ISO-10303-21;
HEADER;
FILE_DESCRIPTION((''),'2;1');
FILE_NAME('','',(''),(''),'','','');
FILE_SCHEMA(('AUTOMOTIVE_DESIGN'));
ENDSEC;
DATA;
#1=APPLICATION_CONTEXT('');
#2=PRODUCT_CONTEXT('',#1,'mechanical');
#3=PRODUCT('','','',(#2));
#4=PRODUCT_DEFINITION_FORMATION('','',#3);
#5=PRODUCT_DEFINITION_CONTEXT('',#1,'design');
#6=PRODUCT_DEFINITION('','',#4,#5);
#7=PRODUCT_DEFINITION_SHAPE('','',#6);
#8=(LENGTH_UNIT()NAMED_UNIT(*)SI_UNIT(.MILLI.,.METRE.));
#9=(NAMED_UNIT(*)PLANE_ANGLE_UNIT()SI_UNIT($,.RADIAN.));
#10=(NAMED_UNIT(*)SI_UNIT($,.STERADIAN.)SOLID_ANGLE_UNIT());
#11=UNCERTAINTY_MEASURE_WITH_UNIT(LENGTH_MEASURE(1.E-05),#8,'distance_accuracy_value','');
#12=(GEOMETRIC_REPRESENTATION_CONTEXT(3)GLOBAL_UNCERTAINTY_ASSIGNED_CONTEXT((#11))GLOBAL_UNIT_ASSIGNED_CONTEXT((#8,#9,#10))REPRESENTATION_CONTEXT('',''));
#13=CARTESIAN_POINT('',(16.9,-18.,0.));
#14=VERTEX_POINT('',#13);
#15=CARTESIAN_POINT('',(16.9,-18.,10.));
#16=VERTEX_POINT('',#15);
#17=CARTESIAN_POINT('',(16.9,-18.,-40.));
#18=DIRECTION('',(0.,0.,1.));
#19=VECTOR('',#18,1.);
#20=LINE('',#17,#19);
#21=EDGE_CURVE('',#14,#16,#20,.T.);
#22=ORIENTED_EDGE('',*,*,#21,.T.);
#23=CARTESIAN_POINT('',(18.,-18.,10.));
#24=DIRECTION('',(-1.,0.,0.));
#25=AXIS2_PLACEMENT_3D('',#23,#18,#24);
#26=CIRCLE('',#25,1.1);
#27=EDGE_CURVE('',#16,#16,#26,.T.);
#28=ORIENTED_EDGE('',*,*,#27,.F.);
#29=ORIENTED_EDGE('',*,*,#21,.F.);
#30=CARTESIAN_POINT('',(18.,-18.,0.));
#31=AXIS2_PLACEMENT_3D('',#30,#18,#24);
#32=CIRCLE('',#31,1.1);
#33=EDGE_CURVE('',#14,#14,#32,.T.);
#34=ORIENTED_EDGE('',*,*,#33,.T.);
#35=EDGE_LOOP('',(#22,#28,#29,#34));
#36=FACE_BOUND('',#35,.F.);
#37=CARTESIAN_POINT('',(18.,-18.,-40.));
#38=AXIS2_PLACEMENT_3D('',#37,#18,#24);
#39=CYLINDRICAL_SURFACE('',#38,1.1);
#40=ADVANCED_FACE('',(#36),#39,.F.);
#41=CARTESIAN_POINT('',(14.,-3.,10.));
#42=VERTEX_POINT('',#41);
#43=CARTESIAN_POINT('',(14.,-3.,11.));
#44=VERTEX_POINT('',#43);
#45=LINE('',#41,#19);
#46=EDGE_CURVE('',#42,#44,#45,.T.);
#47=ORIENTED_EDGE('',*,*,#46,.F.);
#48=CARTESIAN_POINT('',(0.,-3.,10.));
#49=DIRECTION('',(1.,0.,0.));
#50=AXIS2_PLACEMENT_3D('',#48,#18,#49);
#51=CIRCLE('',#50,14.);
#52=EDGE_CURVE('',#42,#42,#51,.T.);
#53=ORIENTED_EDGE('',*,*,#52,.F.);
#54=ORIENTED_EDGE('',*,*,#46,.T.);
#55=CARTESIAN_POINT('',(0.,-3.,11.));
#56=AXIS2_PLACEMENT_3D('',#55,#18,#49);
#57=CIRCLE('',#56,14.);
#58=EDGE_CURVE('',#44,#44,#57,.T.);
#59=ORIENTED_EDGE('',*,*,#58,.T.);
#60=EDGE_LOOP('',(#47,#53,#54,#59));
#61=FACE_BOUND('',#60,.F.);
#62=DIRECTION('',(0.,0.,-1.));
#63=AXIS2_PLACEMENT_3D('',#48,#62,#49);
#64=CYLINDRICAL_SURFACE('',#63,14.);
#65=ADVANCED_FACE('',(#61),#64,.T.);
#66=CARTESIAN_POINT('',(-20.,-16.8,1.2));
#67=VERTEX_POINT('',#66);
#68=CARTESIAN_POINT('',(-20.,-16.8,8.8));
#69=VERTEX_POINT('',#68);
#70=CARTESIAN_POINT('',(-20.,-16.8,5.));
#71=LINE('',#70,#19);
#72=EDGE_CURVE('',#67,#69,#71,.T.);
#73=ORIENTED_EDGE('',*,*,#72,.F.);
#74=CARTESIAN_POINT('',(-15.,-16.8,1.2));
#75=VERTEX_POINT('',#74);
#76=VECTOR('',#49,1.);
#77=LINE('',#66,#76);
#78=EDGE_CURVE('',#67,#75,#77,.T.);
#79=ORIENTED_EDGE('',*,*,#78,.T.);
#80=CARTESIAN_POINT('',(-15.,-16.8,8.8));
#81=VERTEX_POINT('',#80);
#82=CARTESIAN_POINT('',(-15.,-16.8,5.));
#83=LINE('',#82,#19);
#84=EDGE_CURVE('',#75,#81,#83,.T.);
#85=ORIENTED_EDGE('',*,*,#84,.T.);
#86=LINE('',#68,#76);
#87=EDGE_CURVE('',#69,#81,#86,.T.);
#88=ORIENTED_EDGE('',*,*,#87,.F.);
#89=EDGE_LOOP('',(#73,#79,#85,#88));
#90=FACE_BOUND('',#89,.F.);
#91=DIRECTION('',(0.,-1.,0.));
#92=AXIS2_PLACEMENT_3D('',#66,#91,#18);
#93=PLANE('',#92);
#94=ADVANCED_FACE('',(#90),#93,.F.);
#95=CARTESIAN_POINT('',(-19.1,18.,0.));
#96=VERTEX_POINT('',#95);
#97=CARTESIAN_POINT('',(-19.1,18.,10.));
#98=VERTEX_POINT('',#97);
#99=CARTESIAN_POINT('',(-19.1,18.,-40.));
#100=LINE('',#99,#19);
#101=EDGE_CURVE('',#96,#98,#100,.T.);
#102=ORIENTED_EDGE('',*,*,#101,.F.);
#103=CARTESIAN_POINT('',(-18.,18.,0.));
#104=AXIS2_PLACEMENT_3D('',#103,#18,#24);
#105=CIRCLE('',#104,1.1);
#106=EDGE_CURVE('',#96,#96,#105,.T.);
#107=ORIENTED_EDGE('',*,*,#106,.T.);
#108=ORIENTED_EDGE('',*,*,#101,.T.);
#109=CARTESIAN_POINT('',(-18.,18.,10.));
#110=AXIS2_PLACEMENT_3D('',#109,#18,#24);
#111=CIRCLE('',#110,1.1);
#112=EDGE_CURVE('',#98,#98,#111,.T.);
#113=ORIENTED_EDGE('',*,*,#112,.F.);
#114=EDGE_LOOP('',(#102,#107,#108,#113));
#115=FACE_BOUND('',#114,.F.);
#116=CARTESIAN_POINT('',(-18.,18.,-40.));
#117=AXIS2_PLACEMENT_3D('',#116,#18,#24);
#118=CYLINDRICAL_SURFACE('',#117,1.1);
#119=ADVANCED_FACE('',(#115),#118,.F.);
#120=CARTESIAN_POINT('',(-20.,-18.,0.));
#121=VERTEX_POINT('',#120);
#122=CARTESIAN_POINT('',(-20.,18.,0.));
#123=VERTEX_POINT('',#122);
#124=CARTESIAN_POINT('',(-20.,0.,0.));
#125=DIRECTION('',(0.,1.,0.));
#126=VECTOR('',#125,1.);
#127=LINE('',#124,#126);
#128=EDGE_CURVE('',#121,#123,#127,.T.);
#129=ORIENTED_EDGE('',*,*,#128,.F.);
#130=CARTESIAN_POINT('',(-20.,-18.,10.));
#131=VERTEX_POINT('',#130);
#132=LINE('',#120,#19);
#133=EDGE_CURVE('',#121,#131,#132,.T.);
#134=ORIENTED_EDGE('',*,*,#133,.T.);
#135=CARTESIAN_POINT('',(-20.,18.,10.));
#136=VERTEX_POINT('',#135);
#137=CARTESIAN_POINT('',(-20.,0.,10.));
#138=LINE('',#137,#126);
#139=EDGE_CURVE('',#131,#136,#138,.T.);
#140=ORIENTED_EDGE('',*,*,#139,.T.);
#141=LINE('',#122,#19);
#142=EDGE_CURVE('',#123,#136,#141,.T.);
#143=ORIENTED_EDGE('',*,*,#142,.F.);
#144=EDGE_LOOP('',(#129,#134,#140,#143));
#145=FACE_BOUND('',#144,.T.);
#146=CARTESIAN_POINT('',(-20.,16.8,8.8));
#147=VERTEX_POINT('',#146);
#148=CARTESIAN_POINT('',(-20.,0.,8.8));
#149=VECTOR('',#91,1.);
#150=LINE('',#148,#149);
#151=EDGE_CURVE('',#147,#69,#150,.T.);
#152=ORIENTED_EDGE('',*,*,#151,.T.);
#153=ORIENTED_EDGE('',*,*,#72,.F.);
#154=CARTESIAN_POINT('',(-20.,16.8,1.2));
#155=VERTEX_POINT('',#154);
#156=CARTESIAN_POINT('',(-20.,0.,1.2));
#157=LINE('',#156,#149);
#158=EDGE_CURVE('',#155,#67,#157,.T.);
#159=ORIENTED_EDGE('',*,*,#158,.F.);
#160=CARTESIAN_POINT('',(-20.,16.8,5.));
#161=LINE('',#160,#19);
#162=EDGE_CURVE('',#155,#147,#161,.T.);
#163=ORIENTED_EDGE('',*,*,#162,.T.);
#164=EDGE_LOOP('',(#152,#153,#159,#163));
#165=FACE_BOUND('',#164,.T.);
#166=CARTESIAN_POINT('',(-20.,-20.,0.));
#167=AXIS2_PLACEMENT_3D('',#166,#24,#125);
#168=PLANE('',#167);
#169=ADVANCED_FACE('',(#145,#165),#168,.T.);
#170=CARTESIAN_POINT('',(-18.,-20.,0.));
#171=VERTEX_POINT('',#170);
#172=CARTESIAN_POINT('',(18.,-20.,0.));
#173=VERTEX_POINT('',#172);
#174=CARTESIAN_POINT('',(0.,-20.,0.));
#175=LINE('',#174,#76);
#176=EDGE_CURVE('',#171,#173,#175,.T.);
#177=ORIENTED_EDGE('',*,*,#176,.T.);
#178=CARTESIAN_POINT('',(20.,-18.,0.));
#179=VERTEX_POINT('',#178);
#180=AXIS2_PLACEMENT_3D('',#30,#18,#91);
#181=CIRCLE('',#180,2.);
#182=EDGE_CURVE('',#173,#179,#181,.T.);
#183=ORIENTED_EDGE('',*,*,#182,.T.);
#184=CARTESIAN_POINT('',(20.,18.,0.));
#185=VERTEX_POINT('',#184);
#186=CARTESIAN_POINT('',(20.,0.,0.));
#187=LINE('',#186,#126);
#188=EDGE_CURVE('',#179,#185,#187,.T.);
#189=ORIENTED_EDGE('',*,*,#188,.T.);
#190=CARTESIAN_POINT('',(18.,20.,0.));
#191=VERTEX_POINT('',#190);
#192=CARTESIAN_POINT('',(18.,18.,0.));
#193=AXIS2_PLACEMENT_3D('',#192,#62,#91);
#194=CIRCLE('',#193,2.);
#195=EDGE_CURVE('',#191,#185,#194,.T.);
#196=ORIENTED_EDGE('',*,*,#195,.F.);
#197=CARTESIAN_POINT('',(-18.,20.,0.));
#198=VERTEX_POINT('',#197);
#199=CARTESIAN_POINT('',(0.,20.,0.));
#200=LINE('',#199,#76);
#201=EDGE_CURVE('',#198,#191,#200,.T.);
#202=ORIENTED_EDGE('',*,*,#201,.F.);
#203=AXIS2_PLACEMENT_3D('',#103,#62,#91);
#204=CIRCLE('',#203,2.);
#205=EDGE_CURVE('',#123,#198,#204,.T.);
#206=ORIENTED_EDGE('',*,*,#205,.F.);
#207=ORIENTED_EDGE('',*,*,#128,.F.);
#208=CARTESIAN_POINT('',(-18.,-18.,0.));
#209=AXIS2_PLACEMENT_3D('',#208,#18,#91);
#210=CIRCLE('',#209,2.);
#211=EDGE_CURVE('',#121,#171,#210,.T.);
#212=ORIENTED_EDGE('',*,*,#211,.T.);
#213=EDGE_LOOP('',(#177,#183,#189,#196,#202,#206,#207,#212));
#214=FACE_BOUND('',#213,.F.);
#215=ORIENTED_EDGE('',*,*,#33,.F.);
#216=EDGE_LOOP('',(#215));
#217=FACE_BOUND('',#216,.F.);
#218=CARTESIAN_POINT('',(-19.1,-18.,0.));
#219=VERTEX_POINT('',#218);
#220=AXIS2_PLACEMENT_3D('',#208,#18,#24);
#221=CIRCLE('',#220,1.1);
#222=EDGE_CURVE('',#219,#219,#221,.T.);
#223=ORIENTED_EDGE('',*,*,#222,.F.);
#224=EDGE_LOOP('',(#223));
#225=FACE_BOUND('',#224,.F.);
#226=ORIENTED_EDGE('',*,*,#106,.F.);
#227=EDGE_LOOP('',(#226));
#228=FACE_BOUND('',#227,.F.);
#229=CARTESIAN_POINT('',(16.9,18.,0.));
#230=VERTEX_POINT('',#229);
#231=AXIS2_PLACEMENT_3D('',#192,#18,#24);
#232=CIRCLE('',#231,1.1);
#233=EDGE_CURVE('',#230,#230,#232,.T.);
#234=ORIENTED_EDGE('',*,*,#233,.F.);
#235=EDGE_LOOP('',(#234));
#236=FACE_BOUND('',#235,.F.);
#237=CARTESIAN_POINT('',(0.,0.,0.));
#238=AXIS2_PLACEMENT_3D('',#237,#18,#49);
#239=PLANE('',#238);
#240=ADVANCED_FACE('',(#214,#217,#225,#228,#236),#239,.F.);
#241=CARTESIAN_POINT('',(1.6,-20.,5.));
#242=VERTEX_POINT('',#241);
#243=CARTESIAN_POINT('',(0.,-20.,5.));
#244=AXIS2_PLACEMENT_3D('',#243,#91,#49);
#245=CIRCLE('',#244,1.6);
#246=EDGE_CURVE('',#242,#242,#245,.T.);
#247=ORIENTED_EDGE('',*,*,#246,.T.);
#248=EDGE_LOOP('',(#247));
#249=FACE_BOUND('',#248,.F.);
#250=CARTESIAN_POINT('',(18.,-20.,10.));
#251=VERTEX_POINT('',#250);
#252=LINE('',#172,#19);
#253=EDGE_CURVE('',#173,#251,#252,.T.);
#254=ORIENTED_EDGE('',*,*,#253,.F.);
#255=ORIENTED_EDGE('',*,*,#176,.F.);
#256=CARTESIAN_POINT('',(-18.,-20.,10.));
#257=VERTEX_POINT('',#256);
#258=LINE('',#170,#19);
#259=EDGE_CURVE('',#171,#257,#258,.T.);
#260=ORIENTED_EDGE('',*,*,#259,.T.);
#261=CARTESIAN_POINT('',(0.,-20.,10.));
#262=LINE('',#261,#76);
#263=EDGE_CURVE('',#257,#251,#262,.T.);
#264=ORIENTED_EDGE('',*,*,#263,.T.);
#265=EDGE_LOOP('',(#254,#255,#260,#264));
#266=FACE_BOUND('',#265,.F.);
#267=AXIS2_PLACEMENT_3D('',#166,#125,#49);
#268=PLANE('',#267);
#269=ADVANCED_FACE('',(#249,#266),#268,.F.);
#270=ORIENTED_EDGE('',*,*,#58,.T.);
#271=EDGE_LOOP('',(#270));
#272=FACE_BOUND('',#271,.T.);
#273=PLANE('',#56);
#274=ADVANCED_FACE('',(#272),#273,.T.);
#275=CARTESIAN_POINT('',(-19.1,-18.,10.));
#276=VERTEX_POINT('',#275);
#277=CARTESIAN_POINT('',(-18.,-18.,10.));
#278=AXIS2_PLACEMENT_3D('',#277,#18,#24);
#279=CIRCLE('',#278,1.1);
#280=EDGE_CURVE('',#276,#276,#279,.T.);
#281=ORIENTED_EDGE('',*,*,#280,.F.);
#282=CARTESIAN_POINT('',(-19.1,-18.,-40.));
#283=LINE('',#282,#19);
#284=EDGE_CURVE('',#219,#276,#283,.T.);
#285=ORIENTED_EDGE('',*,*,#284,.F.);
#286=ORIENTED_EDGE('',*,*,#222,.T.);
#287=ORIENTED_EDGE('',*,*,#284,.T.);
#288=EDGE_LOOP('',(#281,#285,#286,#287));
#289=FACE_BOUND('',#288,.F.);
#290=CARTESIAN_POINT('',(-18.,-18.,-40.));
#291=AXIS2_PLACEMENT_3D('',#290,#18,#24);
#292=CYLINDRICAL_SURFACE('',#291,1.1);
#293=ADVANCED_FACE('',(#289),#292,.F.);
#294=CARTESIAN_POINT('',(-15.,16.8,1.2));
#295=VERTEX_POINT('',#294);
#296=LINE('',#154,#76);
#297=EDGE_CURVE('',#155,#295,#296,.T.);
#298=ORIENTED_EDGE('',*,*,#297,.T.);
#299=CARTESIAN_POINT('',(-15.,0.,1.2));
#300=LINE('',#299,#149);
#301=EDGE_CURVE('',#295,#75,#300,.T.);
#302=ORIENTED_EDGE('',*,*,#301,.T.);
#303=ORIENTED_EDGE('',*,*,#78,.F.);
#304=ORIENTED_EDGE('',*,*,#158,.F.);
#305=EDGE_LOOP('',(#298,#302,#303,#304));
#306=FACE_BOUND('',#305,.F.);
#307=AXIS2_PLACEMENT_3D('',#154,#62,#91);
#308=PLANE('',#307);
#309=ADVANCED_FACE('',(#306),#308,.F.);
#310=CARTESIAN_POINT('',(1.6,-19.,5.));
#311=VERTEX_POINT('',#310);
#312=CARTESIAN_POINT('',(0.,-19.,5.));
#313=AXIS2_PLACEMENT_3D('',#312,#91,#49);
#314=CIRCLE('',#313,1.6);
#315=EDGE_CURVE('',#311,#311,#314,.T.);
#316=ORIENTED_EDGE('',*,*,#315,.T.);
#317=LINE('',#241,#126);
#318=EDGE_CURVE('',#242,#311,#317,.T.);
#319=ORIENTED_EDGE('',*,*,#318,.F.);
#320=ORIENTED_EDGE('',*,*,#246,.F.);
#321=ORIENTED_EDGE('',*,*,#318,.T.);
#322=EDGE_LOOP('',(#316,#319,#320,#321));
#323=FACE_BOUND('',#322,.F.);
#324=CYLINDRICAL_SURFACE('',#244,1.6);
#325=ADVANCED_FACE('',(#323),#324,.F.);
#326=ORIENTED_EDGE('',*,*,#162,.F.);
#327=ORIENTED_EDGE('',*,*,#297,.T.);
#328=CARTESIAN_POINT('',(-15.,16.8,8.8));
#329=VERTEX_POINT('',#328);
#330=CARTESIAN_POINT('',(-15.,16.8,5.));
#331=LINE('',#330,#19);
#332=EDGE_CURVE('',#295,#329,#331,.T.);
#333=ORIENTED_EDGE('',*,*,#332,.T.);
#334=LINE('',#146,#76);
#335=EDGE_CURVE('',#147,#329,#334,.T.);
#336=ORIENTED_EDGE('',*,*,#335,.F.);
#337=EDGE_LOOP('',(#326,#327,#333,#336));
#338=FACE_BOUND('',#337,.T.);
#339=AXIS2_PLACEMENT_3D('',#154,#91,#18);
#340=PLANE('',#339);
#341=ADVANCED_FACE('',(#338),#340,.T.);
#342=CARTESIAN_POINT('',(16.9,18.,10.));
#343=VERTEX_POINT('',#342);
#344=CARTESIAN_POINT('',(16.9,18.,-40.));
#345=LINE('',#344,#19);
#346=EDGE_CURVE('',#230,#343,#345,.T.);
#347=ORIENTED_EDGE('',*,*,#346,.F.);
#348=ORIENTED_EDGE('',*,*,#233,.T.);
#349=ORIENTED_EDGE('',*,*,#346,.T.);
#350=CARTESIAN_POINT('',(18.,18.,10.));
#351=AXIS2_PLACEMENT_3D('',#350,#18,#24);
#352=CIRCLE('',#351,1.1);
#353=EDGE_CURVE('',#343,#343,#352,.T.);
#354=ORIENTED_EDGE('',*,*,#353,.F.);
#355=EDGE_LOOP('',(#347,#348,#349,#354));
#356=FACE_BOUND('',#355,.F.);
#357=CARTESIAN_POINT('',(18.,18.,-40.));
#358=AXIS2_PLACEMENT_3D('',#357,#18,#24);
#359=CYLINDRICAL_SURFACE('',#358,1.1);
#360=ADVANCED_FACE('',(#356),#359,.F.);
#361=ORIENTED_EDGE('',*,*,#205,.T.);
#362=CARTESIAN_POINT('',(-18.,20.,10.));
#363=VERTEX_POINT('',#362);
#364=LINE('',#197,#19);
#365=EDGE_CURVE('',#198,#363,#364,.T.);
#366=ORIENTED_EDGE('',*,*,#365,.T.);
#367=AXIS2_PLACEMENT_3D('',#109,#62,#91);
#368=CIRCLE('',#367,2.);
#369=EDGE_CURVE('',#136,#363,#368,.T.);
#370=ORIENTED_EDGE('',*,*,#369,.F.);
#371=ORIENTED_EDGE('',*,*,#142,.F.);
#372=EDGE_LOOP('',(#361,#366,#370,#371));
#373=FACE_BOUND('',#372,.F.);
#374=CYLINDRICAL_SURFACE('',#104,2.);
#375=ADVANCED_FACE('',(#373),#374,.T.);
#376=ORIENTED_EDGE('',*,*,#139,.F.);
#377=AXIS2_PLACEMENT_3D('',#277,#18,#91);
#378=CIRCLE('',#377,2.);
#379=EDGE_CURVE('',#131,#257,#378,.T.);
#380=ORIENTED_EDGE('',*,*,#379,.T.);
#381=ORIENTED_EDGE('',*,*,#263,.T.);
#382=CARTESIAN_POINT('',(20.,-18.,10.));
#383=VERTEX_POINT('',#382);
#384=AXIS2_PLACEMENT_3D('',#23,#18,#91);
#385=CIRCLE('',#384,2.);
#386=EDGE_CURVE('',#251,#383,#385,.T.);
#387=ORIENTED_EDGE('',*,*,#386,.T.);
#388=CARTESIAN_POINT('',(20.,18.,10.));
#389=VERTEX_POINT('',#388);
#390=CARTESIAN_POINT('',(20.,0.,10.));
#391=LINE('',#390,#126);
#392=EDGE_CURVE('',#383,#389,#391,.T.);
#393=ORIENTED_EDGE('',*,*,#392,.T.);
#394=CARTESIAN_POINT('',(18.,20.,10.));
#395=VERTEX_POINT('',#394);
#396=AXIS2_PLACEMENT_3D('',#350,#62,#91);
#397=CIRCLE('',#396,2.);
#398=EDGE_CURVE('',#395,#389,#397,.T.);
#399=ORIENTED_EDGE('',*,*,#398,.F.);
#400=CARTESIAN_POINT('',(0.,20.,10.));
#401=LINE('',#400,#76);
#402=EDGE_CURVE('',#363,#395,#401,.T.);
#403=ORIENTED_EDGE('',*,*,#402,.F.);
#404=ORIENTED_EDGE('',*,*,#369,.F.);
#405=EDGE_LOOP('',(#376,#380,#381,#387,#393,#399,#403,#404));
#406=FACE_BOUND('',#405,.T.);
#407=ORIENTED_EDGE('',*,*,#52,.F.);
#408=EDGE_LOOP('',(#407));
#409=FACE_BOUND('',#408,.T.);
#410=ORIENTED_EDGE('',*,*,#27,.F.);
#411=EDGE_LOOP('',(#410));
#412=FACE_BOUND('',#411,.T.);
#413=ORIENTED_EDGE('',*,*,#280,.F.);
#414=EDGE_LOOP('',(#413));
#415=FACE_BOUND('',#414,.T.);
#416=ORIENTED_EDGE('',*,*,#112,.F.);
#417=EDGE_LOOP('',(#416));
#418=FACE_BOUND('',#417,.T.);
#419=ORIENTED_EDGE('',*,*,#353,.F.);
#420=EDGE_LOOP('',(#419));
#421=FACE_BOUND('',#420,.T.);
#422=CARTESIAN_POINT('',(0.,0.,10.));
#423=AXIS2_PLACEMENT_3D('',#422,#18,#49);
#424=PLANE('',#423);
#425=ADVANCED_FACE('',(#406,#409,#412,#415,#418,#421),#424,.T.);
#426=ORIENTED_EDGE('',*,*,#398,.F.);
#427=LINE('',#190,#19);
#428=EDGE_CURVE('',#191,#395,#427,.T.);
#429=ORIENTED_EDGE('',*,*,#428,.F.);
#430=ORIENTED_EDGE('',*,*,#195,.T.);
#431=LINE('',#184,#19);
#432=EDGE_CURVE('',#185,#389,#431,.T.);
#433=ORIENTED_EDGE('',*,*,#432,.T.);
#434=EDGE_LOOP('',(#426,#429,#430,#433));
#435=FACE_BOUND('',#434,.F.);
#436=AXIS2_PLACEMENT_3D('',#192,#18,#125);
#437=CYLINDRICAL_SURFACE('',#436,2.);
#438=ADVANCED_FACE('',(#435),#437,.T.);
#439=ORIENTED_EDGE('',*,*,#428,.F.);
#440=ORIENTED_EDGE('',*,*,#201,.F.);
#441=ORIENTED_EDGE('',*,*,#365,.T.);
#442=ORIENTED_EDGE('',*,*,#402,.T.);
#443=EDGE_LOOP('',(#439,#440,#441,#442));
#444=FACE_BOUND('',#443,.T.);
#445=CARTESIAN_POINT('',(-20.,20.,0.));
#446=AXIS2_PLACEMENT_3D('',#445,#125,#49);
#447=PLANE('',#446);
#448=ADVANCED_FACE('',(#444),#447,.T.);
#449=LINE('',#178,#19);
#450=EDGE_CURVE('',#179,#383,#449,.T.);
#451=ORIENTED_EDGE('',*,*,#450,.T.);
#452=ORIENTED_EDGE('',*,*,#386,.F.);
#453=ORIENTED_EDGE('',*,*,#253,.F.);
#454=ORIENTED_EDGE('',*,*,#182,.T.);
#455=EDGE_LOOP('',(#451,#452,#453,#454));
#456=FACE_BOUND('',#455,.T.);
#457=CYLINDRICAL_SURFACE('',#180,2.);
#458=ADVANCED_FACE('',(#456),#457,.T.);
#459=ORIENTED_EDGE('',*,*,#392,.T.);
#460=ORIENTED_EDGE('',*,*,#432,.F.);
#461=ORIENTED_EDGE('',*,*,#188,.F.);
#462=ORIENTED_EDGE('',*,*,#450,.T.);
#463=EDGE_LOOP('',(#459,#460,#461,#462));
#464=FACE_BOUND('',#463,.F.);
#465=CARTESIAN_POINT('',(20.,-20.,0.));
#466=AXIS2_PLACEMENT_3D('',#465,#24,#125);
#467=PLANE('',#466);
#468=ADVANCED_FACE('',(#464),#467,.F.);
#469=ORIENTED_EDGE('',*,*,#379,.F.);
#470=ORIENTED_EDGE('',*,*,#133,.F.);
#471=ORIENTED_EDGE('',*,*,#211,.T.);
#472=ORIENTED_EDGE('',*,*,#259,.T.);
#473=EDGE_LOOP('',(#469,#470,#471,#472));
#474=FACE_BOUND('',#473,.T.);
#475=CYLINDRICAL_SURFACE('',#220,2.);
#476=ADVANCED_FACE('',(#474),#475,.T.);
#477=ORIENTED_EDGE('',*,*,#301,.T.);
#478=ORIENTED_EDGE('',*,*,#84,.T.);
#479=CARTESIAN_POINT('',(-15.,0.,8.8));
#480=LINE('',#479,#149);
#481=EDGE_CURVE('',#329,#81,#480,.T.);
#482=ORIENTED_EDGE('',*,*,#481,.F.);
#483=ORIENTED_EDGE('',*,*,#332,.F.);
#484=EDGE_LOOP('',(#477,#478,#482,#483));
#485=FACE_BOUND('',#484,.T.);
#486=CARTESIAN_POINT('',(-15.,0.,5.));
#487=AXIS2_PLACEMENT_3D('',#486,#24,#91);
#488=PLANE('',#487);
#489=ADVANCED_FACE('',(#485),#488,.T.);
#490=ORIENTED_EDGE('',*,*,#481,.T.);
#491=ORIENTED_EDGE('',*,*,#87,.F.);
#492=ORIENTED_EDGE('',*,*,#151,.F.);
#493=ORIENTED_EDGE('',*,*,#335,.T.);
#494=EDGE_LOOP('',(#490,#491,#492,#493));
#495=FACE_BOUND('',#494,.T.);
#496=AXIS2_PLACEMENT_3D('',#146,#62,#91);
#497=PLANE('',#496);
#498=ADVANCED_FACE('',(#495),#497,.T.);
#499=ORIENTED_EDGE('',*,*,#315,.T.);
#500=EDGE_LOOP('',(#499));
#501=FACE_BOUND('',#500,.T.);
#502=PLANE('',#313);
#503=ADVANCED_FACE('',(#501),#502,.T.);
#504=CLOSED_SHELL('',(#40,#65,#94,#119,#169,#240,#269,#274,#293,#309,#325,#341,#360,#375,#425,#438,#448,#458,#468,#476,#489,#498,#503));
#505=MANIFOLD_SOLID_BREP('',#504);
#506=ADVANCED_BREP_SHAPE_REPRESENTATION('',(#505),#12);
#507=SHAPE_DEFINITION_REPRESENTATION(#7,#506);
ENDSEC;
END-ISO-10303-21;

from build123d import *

# Parameters (mm, degrees)
F0_W     = 40
F0_H     = 40
F1_DEPTH = 10
F2_D     = 2.2
F2_DEPTH = 40
F3_R     = 2
F4_R     = 14
F5_DEPTH = 1
F6_W     = 33.6
F6_H     = 7.6
F7_DEPTH = 5
F8_R     = 1.6
F9_DEPTH = 1


with BuildPart() as f1:
    # F0 (on Top) → F1 (new body)
    with BuildSketch(Plane.XY):
        Rectangle(F0_W, F0_H)
    extrude(amount=F1_DEPTH)

    # F2
    with Locations(Plane(origin=(0, 0, 0), x_dir=(1, 0, 0), z_dir=(0, 0, -1))):
        with Locations((-18, -18), (-18, 18), (18, 18), (18, -18)):
            Hole(F2_D / 2, depth=F2_DEPTH)

    # F3
    f3_edges = [f1.edges().sort_by_distance(p)[0] for p in [
        (-20, -20, 5),
        (-20, 20, 5),
        (20, -20, 5),
        (20, 20, 5),
    ]]
    fillet(f3_edges, radius=F3_R)

    # F4 (on face) → F5 (join)
    with BuildSketch(Plane.XY.offset(10)):
        with Locations((0, -3)):
            Circle(F4_R)
    extrude(amount=F5_DEPTH)

    # F6 (on face) → F7 (cut)
    with BuildSketch(Plane(origin=(-20, 0, 0), x_dir=(0, -1, 0), z_dir=(-1, 0, 0))):
        with Locations((0, 5)):
            Rectangle(F6_W, F6_H)
    extrude(amount=-F7_DEPTH, mode=Mode.SUBTRACT)

    # F8 (on face) → F9 (cut)
    with BuildSketch(Plane.XZ.offset(20)):
        with Locations((0, 5)):
            Circle(F8_R)
    extrude(amount=-F9_DEPTH, mode=Mode.SUBTRACT)


solid = f1.part
